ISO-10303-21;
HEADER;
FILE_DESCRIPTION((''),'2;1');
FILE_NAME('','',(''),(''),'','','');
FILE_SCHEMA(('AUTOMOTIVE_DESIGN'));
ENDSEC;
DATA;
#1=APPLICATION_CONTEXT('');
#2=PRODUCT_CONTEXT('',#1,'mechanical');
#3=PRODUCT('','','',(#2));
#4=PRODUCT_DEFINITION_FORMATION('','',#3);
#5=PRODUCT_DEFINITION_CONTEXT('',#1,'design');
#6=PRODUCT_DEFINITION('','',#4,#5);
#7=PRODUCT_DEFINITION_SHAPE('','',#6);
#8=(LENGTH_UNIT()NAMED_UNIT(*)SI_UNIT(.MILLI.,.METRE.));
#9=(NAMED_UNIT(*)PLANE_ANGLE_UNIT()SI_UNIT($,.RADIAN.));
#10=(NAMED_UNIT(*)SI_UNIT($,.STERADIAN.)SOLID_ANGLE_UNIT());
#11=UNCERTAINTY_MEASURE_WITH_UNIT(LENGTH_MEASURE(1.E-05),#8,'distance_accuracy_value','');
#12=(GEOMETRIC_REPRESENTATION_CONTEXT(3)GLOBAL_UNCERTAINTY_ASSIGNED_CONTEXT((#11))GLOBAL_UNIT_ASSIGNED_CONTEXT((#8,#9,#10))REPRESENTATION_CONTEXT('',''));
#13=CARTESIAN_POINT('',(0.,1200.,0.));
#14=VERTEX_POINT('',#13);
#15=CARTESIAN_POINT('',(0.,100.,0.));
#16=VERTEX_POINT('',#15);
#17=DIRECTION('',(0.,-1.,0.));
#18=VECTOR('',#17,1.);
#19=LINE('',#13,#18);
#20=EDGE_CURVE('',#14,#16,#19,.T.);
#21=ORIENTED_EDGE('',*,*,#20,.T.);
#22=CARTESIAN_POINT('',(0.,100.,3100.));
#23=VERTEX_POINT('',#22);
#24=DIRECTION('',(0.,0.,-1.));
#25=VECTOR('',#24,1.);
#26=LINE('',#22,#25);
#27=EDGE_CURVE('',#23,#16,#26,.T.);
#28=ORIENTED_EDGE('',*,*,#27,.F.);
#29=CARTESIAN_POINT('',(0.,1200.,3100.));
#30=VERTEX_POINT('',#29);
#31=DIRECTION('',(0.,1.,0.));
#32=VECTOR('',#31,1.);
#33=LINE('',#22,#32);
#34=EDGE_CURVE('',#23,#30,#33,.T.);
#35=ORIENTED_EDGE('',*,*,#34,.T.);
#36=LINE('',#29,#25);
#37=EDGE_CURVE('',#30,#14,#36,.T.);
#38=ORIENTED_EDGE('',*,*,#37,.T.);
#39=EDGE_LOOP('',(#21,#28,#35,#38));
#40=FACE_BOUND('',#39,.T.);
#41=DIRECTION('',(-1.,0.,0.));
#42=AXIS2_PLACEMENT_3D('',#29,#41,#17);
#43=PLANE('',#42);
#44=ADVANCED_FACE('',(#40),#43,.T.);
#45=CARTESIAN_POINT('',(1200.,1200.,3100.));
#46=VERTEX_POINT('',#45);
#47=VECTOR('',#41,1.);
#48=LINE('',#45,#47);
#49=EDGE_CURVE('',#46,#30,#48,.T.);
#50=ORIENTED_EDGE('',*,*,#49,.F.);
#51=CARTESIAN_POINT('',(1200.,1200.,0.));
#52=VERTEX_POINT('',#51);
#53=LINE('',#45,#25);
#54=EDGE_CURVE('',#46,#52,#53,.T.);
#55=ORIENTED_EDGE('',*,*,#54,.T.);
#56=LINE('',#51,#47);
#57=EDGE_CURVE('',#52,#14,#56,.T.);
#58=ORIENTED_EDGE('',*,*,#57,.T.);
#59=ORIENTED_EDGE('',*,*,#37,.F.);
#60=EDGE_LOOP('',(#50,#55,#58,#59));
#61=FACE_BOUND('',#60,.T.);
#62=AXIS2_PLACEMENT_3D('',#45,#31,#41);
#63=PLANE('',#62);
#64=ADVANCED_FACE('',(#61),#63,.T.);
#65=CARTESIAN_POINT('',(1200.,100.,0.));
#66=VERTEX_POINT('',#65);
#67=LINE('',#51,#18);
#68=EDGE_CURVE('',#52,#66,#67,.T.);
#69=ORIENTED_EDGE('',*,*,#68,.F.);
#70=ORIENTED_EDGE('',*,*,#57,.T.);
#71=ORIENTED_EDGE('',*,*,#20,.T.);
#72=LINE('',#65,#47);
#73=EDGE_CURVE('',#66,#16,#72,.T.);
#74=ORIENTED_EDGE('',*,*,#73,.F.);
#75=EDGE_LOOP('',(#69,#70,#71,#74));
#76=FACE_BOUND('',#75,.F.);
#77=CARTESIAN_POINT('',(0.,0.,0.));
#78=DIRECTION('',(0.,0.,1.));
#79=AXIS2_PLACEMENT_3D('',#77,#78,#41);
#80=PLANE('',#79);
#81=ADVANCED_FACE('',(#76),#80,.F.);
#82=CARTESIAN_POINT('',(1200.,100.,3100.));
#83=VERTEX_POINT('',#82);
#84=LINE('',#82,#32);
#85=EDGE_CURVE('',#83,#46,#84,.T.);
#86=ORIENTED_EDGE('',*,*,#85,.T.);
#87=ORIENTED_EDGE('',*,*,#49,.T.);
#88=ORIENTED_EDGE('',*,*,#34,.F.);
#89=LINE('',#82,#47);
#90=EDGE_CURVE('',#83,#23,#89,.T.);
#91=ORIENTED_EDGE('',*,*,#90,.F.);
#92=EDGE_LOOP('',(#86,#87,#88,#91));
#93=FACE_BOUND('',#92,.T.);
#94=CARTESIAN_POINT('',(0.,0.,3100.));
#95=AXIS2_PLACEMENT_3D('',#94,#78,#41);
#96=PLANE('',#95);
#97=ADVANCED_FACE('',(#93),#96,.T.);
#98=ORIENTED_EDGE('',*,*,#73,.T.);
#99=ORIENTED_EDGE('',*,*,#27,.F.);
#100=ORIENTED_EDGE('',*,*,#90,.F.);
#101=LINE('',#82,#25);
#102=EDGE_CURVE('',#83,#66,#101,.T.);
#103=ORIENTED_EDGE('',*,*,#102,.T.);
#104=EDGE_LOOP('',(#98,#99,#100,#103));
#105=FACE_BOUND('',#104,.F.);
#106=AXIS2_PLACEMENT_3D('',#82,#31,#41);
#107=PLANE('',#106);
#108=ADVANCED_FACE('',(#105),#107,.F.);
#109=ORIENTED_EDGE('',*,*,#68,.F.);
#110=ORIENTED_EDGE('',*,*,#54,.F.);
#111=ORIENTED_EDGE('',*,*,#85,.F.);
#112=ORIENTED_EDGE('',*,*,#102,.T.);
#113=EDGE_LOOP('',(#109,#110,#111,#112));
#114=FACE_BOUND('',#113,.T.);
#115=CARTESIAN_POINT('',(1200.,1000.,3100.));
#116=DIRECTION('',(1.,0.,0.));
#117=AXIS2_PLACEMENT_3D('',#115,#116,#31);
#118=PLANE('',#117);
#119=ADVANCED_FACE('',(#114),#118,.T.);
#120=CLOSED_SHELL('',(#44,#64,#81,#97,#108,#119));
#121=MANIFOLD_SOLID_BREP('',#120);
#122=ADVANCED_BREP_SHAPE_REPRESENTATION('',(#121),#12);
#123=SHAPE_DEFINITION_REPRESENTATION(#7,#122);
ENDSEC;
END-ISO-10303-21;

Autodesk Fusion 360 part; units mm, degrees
sketch "スケッチ1" plane through (0, 0, 0) normal (0, 1, 0) x (1, 0, 0)
sketch "スケッチ2" plane through (0, 0, 0) normal (0, 0, 1) x (1, 0, 0)
  line L0 (0, 0) -> (-10000, 0)
  line L1 (-10000, 0) -> (-10000, 8100)
  line L2 (-10000, 8100) -> (0, 8100)
  line L3 (0, 8100) -> (0, 0)
  line L4 (10, -10) -> (-10010, -10)
  line L5 (-10010, -10) -> (-10010, 8110)
  line L6 (-10010, 8110) -> (10, 8110)
  line L7 (10, 8110) -> (10, -10)
  point P0 (10, -10)
  dimension "d1" = 10000
  dimension "d2" = 8100
  dimension "d4" = 10020
  dimension "d5" = 8120
sketch "スケッチ3" plane through (0, 0, 0) normal (0, 0, 1) x (1, 0, 0)
sketch "スケッチ4" plane through (0, 0, 0) normal (0, 0, 1) x (1, 0, 0)
  line L0 (0, 0) -> (1200, 0)
  line L1 (1200, 0) -> (1200, 1000)
  line L2 (1200, 1000) -> (0, 1000)
  line L3 (0, 1000) -> (0, 0)
  dimension "d10" = 1200
  dimension "d11" = 1000
extrude "押し出し2" add sketch "スケッチ4" along normal blind 3100
sketch "スケッチ5" plane through (0, 0, 3100) normal (0, 0, 1) x (-1, 0, 0)
  line L0 (0, -1000) -> (0, 0)
  line L1 (0, 0) -> (-1200, 0)
  line L2 (-1200, 0) -> (-1200, -1000)
  line L3 (-1200, -1000) -> (0, -1000)
  line L4 (0, 0) -> (-1200, 0)
  line L5 (-1200, 0) -> (-1200, -100)
  line L6 (-1200, -100) -> (0, -100)
  line L7 (0, -100) -> (0, 0)
extrude "押し出し3" cut sketch "スケッチ5" against normal blind 3100 contours L0 L1 L2 L4 L5 L6 L7
sketch "スケッチ6" plane through (0, 0, 3100) normal (0, 0, 1) x (-1, 0, 0)
  line L0 (0, -100) -> (-1200, -100)
  line L1 (-1200, -100) -> (-1200, -1000)
  line L2 (-1200, -1000) -> (0, -1000)
  line L3 (0, -1000) -> (0, -100)
  line L4 (0, -1000) -> (-1200, -1000)
  line L5 (-1200, -1000) -> (-1200, -1200)
  line L6 (-1200, -1200) -> (0, -1200)
  line L7 (0, -1200) -> (0, -1000)
extrude "押し出し4" add sketch "スケッチ6" against normal blind 3100 contours L2 L4 L5 L6 L7
